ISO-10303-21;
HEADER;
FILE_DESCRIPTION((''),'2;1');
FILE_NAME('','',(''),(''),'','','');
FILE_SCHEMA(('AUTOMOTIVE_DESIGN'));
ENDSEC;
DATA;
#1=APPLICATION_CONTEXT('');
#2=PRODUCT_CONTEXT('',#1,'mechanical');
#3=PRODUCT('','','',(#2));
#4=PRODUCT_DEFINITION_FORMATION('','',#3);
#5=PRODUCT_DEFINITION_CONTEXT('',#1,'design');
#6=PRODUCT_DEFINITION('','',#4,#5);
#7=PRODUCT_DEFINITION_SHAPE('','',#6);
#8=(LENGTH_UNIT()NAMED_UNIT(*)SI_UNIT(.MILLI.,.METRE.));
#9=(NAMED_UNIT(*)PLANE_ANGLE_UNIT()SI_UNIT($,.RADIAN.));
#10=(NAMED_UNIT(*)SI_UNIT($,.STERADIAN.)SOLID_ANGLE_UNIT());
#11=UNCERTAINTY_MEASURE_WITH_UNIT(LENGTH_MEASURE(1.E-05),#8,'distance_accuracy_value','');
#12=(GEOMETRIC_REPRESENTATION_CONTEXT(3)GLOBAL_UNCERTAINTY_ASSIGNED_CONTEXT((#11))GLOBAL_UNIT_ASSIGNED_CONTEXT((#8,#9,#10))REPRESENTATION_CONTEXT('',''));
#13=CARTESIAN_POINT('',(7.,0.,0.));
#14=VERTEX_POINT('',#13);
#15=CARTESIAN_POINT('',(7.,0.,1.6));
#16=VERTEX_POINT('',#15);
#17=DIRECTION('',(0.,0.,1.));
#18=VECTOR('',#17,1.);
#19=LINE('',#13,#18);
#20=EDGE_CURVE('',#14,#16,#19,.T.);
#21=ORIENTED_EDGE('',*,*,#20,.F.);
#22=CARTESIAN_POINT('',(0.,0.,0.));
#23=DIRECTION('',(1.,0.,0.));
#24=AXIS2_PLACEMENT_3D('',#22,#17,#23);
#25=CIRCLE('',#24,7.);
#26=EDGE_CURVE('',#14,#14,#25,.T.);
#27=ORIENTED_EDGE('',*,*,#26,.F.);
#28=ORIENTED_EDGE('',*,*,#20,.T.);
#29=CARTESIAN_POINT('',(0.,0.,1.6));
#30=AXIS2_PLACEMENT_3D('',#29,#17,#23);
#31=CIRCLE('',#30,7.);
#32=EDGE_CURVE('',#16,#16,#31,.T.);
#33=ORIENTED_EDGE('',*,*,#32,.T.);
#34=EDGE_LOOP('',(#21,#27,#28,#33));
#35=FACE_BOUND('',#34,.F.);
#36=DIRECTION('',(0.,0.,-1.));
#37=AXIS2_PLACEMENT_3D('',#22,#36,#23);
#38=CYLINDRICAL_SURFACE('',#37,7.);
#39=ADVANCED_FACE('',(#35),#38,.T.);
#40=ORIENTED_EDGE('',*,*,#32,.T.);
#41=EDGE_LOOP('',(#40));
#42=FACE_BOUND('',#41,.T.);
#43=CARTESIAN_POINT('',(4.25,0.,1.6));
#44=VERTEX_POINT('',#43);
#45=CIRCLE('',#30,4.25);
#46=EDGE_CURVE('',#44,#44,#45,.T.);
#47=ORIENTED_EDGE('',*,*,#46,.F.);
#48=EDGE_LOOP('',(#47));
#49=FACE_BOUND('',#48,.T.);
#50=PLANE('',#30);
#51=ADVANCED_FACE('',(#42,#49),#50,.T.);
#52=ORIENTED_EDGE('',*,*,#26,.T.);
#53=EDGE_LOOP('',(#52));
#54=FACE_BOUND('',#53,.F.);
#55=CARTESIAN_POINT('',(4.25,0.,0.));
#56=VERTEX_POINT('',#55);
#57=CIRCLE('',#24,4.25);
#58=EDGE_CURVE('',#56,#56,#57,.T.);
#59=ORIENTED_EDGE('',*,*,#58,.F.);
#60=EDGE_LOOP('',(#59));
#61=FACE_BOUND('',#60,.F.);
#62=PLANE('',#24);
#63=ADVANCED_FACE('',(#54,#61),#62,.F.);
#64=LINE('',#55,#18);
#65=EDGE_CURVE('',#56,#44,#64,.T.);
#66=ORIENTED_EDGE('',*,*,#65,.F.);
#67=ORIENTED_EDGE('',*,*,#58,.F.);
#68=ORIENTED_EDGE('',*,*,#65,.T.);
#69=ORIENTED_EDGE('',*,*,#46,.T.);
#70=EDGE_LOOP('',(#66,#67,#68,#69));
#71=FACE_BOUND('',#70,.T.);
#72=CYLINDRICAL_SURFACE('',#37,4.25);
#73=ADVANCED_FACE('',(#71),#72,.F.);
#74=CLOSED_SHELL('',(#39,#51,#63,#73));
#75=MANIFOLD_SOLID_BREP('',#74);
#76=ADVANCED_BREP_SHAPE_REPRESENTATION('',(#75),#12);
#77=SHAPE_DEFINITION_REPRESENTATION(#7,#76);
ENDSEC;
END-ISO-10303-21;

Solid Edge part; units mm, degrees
sketch "Sketch1" plane through (0, 0, 0) normal (0, 0, 1) x (1, 0, 0)
  circle A0 centre (0, 0) radius 4.25
  circle A1 centre (0, 0) radius 7
  dimension "D1" = 8.5
extrude "Protrusion1" add sketch "Sketch1" along normal blind 1.6
properties material "Steel"
